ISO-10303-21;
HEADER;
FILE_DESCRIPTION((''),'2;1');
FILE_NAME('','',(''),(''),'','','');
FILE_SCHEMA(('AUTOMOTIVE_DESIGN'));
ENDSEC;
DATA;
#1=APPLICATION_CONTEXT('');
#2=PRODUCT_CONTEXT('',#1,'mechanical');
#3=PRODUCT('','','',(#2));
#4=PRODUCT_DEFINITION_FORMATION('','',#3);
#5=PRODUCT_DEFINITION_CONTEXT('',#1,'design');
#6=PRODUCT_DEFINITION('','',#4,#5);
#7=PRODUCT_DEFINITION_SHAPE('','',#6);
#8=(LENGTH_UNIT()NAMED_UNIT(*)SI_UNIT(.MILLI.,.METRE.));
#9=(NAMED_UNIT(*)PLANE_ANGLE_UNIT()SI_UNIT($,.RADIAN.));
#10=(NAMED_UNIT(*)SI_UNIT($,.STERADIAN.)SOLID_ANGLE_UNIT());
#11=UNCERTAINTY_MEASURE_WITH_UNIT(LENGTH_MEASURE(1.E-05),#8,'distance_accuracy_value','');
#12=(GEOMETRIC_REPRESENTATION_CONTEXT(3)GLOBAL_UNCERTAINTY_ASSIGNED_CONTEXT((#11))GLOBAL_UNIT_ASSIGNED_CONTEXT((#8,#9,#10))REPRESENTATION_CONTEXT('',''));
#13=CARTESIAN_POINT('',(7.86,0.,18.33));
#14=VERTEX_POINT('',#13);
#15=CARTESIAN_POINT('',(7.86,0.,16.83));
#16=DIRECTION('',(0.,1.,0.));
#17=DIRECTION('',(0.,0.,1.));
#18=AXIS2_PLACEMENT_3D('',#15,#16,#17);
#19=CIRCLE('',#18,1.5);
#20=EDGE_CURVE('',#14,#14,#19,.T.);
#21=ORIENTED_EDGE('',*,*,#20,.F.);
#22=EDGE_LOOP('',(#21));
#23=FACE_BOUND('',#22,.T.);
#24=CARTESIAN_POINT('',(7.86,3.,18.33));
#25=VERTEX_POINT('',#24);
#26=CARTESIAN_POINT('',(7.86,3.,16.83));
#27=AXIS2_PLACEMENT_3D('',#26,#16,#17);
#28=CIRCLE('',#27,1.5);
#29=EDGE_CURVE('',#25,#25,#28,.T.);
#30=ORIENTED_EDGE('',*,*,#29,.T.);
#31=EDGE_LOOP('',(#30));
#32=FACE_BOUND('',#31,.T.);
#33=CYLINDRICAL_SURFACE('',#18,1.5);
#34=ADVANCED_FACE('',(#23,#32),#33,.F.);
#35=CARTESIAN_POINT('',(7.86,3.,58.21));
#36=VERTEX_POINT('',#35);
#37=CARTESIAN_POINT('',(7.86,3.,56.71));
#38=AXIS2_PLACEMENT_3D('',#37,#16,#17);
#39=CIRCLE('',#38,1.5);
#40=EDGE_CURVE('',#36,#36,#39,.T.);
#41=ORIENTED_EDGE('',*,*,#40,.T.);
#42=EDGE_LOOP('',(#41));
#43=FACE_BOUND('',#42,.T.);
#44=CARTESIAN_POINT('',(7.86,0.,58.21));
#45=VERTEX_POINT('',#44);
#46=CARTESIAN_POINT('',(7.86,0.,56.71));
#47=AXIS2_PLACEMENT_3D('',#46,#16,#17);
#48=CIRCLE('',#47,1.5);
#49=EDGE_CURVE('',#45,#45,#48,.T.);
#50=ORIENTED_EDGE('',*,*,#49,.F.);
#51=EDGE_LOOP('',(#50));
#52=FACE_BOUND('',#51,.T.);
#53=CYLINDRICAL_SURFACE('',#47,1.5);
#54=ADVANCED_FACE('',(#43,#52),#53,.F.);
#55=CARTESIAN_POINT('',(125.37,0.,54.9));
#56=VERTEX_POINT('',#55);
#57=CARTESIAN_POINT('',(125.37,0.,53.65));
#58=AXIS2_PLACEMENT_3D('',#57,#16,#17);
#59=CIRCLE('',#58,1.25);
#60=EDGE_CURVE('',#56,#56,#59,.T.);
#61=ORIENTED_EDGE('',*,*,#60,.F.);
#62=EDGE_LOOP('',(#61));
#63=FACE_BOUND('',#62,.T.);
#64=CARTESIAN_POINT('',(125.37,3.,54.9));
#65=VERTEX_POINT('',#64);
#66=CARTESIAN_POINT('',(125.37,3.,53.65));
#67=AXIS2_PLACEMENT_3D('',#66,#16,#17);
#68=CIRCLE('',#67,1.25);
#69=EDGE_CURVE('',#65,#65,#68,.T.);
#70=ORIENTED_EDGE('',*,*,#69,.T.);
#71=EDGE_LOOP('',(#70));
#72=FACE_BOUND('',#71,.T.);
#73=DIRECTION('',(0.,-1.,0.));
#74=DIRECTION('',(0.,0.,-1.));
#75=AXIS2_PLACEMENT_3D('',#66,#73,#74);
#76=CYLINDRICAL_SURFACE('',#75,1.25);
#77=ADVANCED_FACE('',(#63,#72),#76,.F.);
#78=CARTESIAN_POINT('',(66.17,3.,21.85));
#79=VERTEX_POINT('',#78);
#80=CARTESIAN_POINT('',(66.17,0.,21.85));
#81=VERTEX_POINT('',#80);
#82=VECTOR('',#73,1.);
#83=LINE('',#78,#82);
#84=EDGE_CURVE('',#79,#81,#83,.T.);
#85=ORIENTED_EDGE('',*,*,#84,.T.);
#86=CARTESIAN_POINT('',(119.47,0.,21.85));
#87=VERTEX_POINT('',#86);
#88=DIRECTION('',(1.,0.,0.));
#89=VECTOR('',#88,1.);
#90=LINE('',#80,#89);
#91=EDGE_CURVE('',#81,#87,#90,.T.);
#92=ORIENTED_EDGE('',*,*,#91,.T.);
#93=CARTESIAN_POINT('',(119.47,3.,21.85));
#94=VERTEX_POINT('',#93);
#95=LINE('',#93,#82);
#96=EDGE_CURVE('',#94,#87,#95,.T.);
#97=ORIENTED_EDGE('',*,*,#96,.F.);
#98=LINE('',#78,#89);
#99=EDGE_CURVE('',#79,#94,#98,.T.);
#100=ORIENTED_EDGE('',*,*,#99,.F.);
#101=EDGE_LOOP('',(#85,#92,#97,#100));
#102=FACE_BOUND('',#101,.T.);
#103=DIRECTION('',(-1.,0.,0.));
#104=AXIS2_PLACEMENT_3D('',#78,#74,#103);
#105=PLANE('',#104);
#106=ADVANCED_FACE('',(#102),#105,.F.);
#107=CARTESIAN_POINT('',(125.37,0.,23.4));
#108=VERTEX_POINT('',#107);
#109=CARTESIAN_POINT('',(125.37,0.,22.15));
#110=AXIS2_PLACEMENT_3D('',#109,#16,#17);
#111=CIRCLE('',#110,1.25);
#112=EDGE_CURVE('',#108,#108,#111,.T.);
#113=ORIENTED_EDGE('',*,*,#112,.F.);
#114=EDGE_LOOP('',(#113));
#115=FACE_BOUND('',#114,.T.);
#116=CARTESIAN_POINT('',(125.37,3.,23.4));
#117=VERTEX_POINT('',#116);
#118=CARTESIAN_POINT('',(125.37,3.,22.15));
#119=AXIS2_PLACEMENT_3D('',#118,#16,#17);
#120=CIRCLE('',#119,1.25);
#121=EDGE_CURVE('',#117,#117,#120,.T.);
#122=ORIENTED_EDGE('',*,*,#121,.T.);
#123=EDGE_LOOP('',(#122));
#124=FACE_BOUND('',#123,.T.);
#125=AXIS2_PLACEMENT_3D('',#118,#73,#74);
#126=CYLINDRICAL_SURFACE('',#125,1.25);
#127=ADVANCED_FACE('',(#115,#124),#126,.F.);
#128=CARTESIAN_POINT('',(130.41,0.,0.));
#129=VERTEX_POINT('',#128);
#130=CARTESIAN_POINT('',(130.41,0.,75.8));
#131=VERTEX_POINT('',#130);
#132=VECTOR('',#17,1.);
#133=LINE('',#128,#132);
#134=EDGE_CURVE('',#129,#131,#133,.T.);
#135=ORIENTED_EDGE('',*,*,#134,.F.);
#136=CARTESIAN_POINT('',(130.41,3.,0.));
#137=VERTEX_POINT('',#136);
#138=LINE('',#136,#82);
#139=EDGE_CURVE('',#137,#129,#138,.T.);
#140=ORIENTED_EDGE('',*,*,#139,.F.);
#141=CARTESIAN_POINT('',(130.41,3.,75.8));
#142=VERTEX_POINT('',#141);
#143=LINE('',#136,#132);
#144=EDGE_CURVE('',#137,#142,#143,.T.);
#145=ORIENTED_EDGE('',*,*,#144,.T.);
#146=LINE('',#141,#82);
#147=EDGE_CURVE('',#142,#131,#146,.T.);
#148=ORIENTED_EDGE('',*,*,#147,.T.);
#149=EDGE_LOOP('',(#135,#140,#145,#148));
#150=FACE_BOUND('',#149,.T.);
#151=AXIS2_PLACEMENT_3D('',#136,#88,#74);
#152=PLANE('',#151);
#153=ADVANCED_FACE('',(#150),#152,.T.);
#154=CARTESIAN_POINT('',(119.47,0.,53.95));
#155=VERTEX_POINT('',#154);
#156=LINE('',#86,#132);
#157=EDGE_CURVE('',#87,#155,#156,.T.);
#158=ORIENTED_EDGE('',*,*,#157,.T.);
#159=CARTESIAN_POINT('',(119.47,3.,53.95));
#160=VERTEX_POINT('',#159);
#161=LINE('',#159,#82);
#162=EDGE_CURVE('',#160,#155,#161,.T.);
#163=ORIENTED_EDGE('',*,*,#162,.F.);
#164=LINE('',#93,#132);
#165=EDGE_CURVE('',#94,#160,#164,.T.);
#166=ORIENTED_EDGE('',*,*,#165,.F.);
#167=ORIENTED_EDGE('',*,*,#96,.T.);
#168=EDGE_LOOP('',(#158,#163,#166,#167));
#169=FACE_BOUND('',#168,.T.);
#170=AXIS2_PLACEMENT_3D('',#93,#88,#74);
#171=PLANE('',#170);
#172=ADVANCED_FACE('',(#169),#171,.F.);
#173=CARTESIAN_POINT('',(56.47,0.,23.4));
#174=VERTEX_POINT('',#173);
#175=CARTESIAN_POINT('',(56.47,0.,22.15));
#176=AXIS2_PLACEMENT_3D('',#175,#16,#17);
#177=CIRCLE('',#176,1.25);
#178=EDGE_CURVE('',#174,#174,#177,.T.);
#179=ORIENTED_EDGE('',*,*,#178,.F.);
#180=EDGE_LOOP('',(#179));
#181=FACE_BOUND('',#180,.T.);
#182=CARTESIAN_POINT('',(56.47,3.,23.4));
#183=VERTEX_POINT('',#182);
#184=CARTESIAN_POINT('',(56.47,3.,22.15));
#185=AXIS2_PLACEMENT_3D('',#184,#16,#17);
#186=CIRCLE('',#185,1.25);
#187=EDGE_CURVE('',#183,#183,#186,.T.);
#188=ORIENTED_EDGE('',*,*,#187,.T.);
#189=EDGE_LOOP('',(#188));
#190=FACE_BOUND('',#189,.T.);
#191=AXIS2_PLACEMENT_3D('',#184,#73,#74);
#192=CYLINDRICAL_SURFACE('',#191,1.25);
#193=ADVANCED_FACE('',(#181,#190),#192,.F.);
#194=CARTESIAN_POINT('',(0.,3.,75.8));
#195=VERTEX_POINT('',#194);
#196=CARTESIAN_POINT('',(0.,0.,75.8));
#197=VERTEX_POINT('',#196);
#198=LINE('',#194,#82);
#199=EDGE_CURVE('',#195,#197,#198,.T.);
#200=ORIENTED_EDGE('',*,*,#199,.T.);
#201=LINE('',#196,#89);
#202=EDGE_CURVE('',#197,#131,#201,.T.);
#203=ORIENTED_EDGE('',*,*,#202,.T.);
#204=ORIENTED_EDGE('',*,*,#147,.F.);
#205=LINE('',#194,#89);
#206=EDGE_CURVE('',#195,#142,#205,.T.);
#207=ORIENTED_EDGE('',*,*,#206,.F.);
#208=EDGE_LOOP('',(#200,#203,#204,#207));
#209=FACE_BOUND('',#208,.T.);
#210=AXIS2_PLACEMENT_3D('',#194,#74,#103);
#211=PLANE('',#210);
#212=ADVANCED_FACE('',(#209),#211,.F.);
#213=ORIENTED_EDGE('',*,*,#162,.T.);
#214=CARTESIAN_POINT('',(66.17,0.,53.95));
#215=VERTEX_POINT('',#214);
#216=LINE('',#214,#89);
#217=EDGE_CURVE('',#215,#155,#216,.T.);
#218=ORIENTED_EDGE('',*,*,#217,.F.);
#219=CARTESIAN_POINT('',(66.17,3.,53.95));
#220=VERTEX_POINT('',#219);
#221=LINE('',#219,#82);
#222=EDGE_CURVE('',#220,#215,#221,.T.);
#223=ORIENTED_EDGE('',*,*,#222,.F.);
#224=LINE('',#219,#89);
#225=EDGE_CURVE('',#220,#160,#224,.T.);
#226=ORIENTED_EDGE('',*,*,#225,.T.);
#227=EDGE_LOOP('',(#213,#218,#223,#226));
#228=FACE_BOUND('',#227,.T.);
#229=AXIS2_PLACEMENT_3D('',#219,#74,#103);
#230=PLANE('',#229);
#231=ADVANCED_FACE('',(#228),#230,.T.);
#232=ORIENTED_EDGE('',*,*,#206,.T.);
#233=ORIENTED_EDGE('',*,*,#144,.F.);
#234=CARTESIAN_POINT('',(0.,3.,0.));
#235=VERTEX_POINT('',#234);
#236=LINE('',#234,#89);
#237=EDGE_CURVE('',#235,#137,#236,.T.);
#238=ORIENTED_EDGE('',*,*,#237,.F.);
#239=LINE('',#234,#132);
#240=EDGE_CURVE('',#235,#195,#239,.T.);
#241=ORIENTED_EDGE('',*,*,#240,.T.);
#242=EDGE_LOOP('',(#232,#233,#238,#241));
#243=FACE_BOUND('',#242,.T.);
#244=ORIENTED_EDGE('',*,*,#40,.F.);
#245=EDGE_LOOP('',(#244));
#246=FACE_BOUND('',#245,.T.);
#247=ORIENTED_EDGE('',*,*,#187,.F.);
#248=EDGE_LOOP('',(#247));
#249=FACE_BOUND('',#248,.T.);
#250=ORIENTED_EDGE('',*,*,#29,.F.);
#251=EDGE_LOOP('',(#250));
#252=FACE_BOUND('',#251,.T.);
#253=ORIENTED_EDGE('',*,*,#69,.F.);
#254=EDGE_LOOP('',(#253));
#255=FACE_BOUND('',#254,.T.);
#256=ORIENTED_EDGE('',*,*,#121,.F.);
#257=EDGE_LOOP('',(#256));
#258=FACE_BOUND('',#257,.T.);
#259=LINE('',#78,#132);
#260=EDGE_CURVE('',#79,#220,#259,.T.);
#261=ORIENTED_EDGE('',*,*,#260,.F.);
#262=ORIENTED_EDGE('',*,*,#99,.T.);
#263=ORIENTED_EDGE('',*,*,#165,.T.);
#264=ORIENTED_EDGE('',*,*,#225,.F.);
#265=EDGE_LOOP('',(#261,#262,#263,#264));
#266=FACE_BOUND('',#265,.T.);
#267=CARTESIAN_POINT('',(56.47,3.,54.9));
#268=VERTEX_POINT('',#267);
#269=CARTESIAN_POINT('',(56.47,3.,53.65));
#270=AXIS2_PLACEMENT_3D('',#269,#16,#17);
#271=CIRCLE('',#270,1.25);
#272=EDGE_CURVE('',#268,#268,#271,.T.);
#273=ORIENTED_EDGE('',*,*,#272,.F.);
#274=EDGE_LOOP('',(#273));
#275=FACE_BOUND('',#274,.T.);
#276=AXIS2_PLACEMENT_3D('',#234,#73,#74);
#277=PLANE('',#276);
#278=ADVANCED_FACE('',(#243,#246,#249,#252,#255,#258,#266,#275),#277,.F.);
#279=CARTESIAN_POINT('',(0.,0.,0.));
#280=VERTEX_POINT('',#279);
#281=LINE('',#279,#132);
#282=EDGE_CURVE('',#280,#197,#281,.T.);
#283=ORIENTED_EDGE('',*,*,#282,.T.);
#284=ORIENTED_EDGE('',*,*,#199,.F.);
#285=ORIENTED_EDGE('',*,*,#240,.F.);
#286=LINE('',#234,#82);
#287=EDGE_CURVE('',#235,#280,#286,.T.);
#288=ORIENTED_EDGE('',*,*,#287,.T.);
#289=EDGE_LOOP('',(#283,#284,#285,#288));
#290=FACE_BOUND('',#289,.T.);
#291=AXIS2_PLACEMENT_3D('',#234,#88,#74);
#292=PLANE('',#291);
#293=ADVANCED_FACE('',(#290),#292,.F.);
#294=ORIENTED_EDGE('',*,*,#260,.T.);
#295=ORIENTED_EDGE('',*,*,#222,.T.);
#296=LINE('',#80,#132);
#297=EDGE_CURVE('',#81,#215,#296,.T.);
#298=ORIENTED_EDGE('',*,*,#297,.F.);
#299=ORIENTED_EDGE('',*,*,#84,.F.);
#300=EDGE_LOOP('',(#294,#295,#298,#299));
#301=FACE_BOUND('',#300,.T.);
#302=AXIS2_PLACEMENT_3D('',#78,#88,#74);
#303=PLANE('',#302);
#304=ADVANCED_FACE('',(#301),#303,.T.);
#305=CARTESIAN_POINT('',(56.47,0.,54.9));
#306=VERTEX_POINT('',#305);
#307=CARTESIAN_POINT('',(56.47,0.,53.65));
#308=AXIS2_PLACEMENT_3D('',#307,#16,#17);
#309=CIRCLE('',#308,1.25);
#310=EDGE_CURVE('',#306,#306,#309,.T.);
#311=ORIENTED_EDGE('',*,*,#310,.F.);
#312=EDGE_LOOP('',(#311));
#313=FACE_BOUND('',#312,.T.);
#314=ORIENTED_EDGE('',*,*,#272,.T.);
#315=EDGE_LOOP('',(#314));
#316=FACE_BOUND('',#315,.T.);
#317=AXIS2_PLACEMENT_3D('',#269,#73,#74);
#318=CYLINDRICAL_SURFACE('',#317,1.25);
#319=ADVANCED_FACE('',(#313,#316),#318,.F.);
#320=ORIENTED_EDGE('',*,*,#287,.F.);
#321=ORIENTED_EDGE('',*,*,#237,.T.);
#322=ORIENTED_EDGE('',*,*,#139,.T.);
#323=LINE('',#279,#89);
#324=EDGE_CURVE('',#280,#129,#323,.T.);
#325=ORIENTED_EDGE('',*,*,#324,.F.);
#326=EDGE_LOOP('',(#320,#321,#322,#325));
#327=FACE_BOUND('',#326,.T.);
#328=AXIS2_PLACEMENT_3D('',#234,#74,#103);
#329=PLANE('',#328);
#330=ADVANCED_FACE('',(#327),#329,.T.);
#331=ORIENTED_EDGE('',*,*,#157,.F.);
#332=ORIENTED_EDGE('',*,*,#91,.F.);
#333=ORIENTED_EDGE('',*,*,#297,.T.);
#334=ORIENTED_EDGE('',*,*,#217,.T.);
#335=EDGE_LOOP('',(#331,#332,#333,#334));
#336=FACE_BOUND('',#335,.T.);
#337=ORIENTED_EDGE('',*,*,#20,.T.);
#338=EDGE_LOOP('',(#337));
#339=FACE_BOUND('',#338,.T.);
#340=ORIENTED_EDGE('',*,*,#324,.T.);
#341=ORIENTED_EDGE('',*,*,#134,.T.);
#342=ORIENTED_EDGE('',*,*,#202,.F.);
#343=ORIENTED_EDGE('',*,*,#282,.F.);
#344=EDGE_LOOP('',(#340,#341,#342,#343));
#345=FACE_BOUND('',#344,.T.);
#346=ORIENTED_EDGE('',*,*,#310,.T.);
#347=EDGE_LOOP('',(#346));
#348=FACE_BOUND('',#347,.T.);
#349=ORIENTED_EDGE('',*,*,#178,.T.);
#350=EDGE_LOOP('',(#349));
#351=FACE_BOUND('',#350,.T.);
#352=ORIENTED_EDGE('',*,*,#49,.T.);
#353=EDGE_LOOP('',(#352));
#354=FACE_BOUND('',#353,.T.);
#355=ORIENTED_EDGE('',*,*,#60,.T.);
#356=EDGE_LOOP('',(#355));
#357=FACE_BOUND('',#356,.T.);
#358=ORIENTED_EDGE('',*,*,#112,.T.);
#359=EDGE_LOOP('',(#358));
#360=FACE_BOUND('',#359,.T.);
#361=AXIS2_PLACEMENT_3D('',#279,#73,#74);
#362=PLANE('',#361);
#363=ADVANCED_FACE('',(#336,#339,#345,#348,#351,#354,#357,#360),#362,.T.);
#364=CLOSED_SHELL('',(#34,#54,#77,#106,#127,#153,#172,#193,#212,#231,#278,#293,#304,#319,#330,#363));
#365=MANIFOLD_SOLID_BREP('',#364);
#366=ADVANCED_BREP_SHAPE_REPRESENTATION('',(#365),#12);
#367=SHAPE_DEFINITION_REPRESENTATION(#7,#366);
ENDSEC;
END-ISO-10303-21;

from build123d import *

# Parameters (mm, degrees)
SKETCH1_W           = 130.41
SKETCH1_H           = 75.8
BOSS_EXTRUDE1_DEPTH = 3
SKETCH1_4_W         = 53.3
SKETCH1_4_H         = 32.1
CUT_EXTRUDE2_DEPTH  = 151.868844033
SKETCH1_5_R         = 1.25
CUT_EXTRUDE3_DEPTH  = 151.868844033
SKETCH2_R           = 1.5
CUT_EXTRUDE4_DEPTH  = 151.868844033
SKETCH3_R           = 1.5
CUT_EXTRUDE5_DEPTH  = 151.868844033


with BuildPart() as part:
    # Sketch1 → Boss-Extrude1 (new body)
    with BuildSketch(Plane(origin=(0, 0, 0), x_dir=(1, 0, 0), z_dir=(0, 1, 0))):
        with Locations((65.205, -37.9)):
            Rectangle(SKETCH1_W, SKETCH1_H)
    extrude(amount=BOSS_EXTRUDE1_DEPTH)

    # Sketch1<4> → Cut-Extrude2 (cut, through all)
    with BuildSketch(Plane(origin=(0, 0, 0), x_dir=(1, 0, 0), z_dir=(0, 1, 0))):
        with Locations((92.82, -37.9)):
            Rectangle(SKETCH1_4_W, SKETCH1_4_H)
    extrude(amount=CUT_EXTRUDE2_DEPTH, mode=Mode.SUBTRACT)

    # Sketch1<5> → Cut-Extrude3 (cut, through all)
    with BuildSketch(Plane(origin=(0, 0, 0), x_dir=(1, 0, 0), z_dir=(0, 1, 0))):
        with Locations((56.47, -22.15)):
            Circle(SKETCH1_5_R)
        with Locations((125.37, -22.15)):
            Circle(SKETCH1_5_R)
        with Locations((125.37, -53.65)):
            Circle(SKETCH1_5_R)
        with Locations((56.47, -53.65)):
            Circle(SKETCH1_5_R)
    extrude(amount=CUT_EXTRUDE3_DEPTH, mode=Mode.SUBTRACT)

    # Sketch2 → Cut-Extrude4 (cut, through all)
    with BuildSketch(Plane(origin=(0, 3, 0), x_dir=(1, 0, 0), z_dir=(0, 1, 0))):
        with Locations((7.86, -16.83)):
            Circle(SKETCH2_R)
    extrude(amount=-CUT_EXTRUDE4_DEPTH, mode=Mode.SUBTRACT)

    # Sketch3 → Cut-Extrude5 (cut, through all)
    with BuildSketch(Plane(origin=(0, 3, 0), x_dir=(1, 0, 0), z_dir=(0, 1, 0))):
        with Locations((7.86, -56.71)):
            Circle(SKETCH3_R)
    extrude(amount=-CUT_EXTRUDE5_DEPTH, mode=Mode.SUBTRACT)


solid = part.part
